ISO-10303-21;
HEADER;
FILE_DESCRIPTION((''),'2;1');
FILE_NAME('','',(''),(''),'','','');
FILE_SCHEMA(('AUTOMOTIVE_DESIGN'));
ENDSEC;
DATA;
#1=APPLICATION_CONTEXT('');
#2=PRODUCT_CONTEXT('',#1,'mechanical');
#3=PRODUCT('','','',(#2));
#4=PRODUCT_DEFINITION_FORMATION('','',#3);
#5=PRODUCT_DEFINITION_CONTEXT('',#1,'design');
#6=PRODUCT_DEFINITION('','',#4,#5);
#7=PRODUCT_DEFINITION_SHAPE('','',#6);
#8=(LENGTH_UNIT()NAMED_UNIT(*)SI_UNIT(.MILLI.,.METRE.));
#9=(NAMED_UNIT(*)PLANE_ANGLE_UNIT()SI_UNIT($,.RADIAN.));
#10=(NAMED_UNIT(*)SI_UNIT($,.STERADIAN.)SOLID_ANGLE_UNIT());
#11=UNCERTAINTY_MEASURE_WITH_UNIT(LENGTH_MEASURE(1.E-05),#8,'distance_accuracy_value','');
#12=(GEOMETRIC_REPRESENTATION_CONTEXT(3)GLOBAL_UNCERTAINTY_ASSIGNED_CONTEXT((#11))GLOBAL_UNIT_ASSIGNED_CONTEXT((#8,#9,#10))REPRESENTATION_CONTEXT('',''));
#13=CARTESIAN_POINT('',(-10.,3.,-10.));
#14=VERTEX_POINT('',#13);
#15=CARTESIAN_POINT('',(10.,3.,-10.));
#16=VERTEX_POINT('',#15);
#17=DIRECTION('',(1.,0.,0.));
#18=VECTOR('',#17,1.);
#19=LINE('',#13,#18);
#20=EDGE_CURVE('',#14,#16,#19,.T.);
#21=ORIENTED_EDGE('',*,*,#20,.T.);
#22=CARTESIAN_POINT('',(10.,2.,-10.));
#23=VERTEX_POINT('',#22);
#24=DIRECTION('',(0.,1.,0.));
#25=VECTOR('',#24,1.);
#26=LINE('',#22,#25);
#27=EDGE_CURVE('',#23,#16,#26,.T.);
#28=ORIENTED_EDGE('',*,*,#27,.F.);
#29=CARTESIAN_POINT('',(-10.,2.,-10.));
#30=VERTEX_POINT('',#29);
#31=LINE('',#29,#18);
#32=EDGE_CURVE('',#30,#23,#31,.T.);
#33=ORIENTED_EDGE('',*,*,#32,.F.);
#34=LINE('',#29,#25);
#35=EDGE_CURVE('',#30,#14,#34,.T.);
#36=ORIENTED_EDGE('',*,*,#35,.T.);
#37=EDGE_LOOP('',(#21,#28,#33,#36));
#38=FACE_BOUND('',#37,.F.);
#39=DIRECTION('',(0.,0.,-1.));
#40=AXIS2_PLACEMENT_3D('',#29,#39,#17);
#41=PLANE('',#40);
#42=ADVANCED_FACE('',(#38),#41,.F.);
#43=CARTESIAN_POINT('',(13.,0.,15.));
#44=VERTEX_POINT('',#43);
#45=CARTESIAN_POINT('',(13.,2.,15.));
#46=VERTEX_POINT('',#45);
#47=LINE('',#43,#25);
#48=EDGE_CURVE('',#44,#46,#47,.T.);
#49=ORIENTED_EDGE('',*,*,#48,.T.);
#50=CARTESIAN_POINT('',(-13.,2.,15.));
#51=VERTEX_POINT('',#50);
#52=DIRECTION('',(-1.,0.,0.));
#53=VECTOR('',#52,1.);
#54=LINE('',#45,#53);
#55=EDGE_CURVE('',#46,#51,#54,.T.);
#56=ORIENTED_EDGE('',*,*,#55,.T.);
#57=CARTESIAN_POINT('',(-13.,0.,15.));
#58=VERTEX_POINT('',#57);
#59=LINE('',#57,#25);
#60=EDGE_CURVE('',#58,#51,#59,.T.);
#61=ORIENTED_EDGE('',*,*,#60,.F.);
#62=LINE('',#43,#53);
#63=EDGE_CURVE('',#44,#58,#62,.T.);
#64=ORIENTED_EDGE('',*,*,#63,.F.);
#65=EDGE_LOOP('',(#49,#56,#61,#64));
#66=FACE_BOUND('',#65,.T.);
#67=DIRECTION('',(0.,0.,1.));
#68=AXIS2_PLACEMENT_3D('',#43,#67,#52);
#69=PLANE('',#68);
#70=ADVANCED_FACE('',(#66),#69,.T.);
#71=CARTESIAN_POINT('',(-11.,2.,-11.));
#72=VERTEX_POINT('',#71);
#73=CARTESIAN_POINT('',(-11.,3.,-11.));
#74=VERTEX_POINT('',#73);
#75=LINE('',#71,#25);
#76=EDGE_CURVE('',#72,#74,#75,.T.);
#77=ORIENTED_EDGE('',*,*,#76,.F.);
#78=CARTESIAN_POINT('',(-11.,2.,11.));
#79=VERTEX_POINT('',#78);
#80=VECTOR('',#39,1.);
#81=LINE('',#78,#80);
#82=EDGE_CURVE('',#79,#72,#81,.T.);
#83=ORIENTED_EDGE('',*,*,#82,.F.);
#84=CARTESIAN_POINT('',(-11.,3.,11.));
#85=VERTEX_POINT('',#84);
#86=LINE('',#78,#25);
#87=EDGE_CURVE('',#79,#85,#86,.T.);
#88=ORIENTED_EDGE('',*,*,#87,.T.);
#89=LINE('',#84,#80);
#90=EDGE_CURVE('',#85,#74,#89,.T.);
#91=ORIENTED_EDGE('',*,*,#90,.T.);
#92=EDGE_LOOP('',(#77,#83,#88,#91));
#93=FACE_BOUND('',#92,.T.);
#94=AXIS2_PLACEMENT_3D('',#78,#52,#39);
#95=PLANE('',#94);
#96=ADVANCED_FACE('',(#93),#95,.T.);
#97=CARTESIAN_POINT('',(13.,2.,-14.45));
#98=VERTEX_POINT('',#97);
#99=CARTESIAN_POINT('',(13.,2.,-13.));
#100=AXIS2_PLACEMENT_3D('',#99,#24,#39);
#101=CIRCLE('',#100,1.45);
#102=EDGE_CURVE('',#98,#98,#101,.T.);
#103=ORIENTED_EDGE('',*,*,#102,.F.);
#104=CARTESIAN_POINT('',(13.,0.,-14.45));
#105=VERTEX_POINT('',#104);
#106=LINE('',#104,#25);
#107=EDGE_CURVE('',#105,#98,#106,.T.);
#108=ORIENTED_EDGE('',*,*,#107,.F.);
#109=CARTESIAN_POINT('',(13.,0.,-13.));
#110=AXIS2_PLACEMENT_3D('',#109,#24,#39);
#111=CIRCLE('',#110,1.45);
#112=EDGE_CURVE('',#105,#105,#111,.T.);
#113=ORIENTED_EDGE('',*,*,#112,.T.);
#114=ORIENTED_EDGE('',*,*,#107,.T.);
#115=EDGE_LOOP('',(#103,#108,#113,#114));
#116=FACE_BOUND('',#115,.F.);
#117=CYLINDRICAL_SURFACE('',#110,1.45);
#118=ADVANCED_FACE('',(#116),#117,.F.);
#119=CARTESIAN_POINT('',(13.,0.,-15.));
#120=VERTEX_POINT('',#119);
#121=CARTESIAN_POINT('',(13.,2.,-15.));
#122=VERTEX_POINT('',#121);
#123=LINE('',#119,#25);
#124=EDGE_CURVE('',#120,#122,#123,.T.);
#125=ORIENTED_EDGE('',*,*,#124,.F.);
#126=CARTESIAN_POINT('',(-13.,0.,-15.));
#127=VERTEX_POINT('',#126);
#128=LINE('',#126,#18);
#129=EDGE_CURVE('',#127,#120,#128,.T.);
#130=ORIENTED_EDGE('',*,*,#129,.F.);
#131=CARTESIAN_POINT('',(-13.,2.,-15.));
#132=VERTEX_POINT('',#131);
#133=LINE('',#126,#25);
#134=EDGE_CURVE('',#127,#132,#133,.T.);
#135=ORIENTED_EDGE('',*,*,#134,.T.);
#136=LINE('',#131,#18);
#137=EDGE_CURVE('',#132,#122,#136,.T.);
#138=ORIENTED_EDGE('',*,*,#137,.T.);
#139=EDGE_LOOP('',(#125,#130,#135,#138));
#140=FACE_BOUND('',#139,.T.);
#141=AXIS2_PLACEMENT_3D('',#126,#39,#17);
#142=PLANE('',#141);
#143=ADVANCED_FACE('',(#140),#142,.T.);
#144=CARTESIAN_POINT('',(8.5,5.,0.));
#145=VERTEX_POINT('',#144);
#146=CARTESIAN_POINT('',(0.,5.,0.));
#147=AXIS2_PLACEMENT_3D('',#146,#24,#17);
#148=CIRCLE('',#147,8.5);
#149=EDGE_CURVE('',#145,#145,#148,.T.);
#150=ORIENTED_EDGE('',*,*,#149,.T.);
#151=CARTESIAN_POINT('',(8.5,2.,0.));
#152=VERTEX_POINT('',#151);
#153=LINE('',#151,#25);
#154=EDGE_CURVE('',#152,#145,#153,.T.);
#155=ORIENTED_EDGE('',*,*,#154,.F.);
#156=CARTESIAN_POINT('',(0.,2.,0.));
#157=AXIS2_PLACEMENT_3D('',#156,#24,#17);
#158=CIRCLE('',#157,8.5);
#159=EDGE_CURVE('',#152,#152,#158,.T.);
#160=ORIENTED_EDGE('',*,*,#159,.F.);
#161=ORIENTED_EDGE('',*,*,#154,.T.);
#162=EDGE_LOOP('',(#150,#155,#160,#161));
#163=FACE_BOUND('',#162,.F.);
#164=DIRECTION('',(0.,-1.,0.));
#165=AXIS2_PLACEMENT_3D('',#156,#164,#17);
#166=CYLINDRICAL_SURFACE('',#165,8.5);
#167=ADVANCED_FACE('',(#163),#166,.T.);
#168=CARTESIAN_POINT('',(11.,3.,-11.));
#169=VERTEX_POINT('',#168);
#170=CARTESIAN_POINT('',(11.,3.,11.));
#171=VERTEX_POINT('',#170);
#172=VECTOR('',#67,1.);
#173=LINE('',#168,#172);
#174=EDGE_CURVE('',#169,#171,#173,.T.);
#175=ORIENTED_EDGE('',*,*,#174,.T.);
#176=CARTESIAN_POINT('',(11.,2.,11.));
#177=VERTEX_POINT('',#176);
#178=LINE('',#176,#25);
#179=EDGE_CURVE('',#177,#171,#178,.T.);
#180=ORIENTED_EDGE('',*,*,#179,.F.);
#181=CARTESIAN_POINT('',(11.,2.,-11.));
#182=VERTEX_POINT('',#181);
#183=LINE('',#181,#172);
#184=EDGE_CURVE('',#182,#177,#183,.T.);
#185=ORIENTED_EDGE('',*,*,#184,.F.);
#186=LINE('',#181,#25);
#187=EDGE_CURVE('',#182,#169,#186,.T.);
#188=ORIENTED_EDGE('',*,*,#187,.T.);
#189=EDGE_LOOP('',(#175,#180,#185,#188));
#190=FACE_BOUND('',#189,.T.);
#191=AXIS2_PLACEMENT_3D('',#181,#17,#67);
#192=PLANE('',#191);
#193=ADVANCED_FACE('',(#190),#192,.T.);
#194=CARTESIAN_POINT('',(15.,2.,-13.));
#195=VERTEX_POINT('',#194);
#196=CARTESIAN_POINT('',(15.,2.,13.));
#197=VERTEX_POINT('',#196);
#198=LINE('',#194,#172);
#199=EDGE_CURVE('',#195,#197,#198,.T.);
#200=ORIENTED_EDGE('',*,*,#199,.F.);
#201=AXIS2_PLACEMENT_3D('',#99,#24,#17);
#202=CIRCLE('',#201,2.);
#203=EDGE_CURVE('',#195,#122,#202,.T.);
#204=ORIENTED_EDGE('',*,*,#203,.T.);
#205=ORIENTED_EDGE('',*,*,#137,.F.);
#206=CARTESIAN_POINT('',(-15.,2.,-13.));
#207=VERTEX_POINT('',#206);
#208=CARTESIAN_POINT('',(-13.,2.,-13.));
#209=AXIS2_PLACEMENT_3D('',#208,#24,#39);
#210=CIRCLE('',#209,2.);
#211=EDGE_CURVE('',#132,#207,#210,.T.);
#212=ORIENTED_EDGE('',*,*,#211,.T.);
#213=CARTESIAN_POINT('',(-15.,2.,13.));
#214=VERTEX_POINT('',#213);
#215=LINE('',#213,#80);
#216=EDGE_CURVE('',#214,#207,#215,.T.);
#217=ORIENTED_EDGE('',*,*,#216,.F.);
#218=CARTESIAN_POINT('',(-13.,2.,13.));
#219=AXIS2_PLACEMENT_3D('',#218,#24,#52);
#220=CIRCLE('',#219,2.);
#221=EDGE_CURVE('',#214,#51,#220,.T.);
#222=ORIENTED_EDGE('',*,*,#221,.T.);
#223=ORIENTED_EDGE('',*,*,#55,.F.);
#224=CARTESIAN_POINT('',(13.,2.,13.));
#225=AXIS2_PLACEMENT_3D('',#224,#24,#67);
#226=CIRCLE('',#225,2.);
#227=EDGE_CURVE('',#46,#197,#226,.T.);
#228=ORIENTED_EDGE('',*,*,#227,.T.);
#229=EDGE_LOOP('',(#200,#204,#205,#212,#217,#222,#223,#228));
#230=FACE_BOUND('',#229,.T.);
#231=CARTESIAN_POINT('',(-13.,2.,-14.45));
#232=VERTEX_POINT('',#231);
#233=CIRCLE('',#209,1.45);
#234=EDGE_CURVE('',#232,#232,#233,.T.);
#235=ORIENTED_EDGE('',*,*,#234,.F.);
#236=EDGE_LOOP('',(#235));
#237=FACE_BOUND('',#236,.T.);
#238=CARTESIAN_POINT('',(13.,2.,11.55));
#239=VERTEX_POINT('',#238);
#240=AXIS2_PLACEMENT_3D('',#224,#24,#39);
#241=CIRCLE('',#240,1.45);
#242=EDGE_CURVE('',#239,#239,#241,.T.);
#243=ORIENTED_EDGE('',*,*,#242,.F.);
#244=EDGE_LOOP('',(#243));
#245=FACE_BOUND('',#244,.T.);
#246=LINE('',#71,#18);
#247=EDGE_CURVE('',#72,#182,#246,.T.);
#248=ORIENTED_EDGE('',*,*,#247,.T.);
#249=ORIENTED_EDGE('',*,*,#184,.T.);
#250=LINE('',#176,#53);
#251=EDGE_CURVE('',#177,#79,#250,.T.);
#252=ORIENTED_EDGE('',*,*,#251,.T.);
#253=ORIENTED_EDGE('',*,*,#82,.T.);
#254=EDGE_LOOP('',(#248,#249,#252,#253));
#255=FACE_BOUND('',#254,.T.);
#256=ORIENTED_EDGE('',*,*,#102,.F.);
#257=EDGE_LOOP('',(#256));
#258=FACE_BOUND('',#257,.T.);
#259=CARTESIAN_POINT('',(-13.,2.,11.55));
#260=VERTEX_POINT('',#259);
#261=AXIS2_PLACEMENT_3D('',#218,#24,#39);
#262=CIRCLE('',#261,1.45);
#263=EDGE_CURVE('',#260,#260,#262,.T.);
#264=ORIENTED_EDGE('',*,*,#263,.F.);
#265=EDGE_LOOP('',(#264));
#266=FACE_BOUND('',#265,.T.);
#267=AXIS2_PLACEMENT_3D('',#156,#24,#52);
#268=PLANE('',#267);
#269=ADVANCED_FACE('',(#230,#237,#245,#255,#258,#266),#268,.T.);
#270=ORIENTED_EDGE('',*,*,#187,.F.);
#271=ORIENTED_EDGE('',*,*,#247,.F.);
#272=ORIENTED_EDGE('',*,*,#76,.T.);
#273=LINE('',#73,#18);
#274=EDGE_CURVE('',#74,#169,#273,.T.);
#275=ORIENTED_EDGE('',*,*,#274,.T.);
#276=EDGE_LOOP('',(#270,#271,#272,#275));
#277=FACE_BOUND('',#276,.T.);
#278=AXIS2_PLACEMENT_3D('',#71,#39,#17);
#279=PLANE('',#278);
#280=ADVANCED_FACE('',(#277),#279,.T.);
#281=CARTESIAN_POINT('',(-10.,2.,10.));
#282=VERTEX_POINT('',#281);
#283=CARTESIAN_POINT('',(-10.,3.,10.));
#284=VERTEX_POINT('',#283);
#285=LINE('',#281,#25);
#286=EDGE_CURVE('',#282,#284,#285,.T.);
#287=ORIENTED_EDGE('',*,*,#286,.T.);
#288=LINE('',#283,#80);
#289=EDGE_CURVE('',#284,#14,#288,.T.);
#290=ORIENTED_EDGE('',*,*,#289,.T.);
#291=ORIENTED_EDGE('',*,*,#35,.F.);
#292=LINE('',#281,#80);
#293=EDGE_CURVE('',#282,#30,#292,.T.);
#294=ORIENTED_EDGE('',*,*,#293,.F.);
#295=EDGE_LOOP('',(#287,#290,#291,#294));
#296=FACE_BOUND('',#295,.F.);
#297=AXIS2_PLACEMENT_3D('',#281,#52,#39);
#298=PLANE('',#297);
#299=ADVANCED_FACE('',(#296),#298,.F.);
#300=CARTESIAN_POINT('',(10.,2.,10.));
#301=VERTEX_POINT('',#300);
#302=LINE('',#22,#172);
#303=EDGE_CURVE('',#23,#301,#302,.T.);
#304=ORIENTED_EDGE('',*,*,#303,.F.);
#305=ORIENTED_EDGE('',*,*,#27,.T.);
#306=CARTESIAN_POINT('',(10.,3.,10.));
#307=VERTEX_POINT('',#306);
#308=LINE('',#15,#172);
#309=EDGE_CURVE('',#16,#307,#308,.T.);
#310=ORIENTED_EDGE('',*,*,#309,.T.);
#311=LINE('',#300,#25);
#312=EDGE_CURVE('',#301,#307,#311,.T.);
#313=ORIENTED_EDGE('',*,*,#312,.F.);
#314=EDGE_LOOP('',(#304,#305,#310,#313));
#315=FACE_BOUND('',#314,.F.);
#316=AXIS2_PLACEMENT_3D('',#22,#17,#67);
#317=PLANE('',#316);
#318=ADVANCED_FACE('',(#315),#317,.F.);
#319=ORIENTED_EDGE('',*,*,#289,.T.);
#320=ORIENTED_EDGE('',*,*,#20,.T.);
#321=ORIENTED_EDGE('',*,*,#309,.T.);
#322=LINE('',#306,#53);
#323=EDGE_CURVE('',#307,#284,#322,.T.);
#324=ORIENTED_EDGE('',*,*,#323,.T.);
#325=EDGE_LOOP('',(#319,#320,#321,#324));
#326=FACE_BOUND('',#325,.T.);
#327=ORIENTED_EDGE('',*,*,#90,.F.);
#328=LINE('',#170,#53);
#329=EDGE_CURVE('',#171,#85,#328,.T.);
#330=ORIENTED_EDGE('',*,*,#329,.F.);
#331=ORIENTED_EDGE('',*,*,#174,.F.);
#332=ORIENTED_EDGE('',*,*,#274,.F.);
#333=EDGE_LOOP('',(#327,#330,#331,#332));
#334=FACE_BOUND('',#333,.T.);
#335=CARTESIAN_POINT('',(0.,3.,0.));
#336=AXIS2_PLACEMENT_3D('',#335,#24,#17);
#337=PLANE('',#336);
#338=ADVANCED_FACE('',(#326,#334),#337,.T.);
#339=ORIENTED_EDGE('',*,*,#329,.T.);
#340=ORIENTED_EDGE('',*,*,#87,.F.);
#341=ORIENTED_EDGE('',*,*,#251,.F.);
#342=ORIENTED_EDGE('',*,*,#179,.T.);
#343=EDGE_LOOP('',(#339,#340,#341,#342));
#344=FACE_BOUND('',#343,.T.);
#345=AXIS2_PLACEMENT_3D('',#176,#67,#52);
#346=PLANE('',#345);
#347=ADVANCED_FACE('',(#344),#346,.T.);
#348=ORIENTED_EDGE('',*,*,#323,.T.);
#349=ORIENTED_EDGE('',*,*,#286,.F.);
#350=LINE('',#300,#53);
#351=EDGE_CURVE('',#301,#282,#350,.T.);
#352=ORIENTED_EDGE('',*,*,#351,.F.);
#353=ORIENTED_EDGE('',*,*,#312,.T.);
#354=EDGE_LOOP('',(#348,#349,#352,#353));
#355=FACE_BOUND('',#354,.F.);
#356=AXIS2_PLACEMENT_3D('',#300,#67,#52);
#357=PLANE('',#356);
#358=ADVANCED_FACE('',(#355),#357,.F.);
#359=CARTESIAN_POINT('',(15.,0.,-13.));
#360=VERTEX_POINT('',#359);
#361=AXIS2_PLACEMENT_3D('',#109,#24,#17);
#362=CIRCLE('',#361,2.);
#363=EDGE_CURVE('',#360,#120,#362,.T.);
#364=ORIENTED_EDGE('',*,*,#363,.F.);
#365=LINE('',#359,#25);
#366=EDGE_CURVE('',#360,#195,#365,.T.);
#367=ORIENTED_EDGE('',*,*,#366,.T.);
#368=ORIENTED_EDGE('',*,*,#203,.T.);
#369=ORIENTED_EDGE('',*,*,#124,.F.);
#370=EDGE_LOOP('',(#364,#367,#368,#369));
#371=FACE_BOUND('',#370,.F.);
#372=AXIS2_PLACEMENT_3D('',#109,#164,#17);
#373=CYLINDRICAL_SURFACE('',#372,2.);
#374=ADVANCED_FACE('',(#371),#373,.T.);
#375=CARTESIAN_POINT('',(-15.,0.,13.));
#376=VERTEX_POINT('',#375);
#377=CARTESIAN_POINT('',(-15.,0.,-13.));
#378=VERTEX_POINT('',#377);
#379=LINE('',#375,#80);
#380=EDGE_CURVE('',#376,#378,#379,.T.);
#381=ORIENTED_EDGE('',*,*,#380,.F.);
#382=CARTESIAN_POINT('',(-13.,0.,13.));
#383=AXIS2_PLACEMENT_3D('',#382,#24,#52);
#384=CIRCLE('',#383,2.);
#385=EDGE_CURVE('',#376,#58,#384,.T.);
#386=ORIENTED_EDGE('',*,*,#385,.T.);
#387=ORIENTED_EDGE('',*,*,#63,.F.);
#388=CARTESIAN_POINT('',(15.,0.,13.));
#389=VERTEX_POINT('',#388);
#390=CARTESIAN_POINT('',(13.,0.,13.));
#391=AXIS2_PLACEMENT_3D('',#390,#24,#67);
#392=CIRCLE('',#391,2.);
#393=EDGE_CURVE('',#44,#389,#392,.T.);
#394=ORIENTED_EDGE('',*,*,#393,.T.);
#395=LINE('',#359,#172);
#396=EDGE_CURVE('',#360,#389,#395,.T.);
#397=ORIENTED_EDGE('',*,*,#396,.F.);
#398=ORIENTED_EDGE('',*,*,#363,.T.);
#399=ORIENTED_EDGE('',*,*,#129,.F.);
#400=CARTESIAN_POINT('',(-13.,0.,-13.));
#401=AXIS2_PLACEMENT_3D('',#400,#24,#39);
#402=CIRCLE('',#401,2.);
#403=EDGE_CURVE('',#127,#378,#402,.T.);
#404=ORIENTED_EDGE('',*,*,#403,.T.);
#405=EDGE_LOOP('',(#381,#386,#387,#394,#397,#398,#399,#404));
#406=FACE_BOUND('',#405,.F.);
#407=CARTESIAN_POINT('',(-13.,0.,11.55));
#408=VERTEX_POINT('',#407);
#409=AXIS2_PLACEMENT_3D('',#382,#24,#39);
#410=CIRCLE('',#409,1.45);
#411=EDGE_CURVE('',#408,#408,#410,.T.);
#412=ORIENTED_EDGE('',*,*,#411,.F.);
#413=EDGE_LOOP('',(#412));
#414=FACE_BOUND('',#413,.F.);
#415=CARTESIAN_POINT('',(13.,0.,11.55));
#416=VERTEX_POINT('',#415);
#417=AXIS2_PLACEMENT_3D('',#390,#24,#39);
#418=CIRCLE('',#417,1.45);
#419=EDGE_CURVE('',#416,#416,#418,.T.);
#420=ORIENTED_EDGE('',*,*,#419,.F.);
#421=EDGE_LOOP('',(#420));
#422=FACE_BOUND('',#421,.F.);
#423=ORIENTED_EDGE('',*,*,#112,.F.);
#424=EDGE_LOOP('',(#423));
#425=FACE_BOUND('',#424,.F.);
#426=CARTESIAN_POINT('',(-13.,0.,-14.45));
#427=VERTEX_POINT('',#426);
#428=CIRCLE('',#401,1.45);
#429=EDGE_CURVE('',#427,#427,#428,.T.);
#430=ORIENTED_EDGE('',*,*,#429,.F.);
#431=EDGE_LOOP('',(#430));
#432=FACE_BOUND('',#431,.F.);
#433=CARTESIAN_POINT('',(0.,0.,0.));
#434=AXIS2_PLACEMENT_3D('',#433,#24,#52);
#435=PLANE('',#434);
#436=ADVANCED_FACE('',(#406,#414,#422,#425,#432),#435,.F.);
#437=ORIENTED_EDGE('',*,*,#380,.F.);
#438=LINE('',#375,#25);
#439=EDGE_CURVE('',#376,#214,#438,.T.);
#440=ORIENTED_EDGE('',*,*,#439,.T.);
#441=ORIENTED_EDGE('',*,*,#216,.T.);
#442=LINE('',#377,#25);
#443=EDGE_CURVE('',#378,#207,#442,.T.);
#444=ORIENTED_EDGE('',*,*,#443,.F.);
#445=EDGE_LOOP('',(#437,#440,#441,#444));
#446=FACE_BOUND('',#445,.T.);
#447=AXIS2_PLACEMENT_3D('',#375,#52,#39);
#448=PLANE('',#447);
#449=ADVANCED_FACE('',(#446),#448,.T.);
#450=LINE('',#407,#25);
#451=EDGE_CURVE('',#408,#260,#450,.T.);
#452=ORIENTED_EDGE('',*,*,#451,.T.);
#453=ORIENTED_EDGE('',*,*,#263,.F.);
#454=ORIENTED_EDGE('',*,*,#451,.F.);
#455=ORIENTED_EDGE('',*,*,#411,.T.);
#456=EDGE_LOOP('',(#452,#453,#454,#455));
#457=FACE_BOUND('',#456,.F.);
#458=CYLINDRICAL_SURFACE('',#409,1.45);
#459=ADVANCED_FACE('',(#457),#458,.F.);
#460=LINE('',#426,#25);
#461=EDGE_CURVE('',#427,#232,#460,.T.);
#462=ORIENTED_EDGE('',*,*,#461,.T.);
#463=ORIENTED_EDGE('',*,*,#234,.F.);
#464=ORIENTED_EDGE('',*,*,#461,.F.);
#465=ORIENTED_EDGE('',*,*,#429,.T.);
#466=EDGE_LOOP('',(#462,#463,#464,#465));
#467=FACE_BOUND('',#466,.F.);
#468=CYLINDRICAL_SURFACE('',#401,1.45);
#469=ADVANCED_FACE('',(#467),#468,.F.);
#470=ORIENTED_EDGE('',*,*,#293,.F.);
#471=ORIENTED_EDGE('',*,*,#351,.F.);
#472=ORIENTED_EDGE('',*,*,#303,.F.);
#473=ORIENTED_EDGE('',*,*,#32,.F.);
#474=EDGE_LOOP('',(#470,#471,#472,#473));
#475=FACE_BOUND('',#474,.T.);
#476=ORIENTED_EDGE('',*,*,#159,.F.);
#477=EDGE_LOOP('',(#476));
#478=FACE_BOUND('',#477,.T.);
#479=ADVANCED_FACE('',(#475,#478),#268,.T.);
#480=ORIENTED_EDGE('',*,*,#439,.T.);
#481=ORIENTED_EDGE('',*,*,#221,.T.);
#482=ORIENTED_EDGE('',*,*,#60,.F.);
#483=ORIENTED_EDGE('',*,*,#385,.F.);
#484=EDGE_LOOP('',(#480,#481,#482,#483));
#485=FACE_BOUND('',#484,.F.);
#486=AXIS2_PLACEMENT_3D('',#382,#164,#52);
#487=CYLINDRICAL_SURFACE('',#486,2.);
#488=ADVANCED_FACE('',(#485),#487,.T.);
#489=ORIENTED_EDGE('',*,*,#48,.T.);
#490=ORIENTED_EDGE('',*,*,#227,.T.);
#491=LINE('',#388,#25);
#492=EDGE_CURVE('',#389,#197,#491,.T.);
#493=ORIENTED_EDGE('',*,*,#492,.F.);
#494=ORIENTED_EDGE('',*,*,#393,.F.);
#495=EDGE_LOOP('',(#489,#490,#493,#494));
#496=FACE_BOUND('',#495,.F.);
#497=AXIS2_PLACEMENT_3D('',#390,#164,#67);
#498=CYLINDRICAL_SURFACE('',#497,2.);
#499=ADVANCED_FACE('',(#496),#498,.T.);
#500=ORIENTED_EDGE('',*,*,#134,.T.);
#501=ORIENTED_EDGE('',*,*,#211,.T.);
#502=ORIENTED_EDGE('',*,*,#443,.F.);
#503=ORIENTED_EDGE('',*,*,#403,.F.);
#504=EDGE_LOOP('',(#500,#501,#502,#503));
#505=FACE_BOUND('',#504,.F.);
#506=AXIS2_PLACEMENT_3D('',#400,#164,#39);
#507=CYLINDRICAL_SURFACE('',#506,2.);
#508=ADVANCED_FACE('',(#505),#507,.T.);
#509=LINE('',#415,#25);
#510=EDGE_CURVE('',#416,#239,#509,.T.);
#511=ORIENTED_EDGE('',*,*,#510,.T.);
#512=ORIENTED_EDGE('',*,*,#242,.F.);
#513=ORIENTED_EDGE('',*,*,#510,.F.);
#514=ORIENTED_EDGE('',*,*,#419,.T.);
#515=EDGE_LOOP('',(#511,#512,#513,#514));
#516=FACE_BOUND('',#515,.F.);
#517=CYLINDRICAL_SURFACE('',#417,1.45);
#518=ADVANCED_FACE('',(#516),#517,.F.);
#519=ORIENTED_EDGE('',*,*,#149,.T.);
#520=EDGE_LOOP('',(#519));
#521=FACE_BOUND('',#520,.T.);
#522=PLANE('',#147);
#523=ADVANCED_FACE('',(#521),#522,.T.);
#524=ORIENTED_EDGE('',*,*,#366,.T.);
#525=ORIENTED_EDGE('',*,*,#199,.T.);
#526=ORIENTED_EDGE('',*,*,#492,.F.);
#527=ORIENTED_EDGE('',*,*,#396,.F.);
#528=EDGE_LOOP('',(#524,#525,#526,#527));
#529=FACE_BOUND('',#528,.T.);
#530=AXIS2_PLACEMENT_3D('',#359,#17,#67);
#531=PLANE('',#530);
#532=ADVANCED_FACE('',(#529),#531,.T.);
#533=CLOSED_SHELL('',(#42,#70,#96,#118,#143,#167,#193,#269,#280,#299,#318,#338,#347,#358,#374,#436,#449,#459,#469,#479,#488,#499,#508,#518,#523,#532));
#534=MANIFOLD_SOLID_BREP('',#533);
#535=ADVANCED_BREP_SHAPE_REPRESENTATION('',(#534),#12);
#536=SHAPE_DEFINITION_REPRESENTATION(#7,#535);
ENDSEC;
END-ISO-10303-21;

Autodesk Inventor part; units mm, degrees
ref_plane "YZ Plane" through (0, 0, 0) normal (1, 0, 0) x (0, 1, 0)
ref_plane "XZ Plane" through (0, 0, 0) normal (0, 1, 0) x (-1, 0, 0)
ref_plane "XY Plane" through (0, 0, 0) normal (0, 0, 1) x (1, 0, 0)
sketch "Boceto1" plane through (0, 0, 0) normal (0, 1, 0) x (-1, 0, 0)
  line L0 (-13, 15) -> (13, 15)
  line L1 (15, 13) -> (15, -13)
  line L2 (13, -15) -> (-13, -15)
  line L3 (-15, -13) -> (-15, 13)
  line L4 (-15, 15) -> (15, -15) construction
  line L5 (15, 15) -> (-15, -15) construction
  arc A0 (13, -15) -> (15, -13) centre (13, -13) ccw
  arc A1 (15, 13) -> (13, 15) centre (13, 13) ccw
  arc A2 (-13, 15) -> (-15, 13) centre (-13, 13) ccw
  arc A3 (-15, -13) -> (-13, -15) centre (-13, -13) ccw
  point P0 (0, 0)
  dimension "d0" = 30
  dimension "d1" = 30
  dimension "d2" = 2
extrude "Extrusión1" add sketch "Boceto1" along normal blind 2
sketch "Boceto2" plane through (0, 2, 0) normal (0, 1, 0) x (1, 0, 0)
  circle A0 centre (0, 0) radius 8.5
  dimension "d5" = 17
extrude "Extrusión2" add sketch "Boceto2" along normal blind 3
sketch "Boceto3" plane through (0, 2, 0) normal (0, 1, 0) x (1, 0, 0)
  line L0 (10, -10) -> (-10, -10)
  line L1 (-10, -10) -> (-10, 10)
  line L2 (-10, 10) -> (10, 10)
  line L3 (10, 10) -> (10, -10)
  line L4 (10, -10) -> (-10, 10) construction
  line L5 (-10, -10) -> (10, 10) construction
  line L6 (11, -11) -> (-11, -11)
  line L7 (-11, -11) -> (-11, 11)
  line L8 (-11, 11) -> (11, 11)
  line L9 (11, 11) -> (11, -11)
  line L10 (11, -11) -> (-11, 11) construction
  line L11 (-11, -11) -> (11, 11) construction
  point P0 (0, 0)
  dimension "d8" = 1
  dimension "d9" = 1
  dimension "d10" = 10
  dimension "d11" = 10
extrude "Extrusión3" add sketch "Boceto3" along normal blind 1
sketch "Boceto4" plane through (0, 0, 0) normal (0, -1, 0) x (1, 0, 0)
  point P0 (13, -13)
  point P1 (-13, -13)
hole "Agujero1" at (13, 0, -13) at (-13, 0, -13) direction (0, 1, 0) diameter 2.9 end through all
sketch "Boceto5" plane through (0, 0, 0) normal (0, -1, 0) x (1, 0, 0)
  point P0 (-13, 13)
hole "Agujero2" at (-13, 0, 13) direction (0, 1, 0) diameter 2.9 end through all
sketch "Boceto6" plane through (0, 0, 0) normal (0, -1, 0) x (1, 0, 0)
  point P0 (13, 13)
hole "Agujero3" at (13, 0, 13) direction (0, 1, 0) diameter 2.9 end through all
properties part number "Tapa trasera" material "Plástico PET"
